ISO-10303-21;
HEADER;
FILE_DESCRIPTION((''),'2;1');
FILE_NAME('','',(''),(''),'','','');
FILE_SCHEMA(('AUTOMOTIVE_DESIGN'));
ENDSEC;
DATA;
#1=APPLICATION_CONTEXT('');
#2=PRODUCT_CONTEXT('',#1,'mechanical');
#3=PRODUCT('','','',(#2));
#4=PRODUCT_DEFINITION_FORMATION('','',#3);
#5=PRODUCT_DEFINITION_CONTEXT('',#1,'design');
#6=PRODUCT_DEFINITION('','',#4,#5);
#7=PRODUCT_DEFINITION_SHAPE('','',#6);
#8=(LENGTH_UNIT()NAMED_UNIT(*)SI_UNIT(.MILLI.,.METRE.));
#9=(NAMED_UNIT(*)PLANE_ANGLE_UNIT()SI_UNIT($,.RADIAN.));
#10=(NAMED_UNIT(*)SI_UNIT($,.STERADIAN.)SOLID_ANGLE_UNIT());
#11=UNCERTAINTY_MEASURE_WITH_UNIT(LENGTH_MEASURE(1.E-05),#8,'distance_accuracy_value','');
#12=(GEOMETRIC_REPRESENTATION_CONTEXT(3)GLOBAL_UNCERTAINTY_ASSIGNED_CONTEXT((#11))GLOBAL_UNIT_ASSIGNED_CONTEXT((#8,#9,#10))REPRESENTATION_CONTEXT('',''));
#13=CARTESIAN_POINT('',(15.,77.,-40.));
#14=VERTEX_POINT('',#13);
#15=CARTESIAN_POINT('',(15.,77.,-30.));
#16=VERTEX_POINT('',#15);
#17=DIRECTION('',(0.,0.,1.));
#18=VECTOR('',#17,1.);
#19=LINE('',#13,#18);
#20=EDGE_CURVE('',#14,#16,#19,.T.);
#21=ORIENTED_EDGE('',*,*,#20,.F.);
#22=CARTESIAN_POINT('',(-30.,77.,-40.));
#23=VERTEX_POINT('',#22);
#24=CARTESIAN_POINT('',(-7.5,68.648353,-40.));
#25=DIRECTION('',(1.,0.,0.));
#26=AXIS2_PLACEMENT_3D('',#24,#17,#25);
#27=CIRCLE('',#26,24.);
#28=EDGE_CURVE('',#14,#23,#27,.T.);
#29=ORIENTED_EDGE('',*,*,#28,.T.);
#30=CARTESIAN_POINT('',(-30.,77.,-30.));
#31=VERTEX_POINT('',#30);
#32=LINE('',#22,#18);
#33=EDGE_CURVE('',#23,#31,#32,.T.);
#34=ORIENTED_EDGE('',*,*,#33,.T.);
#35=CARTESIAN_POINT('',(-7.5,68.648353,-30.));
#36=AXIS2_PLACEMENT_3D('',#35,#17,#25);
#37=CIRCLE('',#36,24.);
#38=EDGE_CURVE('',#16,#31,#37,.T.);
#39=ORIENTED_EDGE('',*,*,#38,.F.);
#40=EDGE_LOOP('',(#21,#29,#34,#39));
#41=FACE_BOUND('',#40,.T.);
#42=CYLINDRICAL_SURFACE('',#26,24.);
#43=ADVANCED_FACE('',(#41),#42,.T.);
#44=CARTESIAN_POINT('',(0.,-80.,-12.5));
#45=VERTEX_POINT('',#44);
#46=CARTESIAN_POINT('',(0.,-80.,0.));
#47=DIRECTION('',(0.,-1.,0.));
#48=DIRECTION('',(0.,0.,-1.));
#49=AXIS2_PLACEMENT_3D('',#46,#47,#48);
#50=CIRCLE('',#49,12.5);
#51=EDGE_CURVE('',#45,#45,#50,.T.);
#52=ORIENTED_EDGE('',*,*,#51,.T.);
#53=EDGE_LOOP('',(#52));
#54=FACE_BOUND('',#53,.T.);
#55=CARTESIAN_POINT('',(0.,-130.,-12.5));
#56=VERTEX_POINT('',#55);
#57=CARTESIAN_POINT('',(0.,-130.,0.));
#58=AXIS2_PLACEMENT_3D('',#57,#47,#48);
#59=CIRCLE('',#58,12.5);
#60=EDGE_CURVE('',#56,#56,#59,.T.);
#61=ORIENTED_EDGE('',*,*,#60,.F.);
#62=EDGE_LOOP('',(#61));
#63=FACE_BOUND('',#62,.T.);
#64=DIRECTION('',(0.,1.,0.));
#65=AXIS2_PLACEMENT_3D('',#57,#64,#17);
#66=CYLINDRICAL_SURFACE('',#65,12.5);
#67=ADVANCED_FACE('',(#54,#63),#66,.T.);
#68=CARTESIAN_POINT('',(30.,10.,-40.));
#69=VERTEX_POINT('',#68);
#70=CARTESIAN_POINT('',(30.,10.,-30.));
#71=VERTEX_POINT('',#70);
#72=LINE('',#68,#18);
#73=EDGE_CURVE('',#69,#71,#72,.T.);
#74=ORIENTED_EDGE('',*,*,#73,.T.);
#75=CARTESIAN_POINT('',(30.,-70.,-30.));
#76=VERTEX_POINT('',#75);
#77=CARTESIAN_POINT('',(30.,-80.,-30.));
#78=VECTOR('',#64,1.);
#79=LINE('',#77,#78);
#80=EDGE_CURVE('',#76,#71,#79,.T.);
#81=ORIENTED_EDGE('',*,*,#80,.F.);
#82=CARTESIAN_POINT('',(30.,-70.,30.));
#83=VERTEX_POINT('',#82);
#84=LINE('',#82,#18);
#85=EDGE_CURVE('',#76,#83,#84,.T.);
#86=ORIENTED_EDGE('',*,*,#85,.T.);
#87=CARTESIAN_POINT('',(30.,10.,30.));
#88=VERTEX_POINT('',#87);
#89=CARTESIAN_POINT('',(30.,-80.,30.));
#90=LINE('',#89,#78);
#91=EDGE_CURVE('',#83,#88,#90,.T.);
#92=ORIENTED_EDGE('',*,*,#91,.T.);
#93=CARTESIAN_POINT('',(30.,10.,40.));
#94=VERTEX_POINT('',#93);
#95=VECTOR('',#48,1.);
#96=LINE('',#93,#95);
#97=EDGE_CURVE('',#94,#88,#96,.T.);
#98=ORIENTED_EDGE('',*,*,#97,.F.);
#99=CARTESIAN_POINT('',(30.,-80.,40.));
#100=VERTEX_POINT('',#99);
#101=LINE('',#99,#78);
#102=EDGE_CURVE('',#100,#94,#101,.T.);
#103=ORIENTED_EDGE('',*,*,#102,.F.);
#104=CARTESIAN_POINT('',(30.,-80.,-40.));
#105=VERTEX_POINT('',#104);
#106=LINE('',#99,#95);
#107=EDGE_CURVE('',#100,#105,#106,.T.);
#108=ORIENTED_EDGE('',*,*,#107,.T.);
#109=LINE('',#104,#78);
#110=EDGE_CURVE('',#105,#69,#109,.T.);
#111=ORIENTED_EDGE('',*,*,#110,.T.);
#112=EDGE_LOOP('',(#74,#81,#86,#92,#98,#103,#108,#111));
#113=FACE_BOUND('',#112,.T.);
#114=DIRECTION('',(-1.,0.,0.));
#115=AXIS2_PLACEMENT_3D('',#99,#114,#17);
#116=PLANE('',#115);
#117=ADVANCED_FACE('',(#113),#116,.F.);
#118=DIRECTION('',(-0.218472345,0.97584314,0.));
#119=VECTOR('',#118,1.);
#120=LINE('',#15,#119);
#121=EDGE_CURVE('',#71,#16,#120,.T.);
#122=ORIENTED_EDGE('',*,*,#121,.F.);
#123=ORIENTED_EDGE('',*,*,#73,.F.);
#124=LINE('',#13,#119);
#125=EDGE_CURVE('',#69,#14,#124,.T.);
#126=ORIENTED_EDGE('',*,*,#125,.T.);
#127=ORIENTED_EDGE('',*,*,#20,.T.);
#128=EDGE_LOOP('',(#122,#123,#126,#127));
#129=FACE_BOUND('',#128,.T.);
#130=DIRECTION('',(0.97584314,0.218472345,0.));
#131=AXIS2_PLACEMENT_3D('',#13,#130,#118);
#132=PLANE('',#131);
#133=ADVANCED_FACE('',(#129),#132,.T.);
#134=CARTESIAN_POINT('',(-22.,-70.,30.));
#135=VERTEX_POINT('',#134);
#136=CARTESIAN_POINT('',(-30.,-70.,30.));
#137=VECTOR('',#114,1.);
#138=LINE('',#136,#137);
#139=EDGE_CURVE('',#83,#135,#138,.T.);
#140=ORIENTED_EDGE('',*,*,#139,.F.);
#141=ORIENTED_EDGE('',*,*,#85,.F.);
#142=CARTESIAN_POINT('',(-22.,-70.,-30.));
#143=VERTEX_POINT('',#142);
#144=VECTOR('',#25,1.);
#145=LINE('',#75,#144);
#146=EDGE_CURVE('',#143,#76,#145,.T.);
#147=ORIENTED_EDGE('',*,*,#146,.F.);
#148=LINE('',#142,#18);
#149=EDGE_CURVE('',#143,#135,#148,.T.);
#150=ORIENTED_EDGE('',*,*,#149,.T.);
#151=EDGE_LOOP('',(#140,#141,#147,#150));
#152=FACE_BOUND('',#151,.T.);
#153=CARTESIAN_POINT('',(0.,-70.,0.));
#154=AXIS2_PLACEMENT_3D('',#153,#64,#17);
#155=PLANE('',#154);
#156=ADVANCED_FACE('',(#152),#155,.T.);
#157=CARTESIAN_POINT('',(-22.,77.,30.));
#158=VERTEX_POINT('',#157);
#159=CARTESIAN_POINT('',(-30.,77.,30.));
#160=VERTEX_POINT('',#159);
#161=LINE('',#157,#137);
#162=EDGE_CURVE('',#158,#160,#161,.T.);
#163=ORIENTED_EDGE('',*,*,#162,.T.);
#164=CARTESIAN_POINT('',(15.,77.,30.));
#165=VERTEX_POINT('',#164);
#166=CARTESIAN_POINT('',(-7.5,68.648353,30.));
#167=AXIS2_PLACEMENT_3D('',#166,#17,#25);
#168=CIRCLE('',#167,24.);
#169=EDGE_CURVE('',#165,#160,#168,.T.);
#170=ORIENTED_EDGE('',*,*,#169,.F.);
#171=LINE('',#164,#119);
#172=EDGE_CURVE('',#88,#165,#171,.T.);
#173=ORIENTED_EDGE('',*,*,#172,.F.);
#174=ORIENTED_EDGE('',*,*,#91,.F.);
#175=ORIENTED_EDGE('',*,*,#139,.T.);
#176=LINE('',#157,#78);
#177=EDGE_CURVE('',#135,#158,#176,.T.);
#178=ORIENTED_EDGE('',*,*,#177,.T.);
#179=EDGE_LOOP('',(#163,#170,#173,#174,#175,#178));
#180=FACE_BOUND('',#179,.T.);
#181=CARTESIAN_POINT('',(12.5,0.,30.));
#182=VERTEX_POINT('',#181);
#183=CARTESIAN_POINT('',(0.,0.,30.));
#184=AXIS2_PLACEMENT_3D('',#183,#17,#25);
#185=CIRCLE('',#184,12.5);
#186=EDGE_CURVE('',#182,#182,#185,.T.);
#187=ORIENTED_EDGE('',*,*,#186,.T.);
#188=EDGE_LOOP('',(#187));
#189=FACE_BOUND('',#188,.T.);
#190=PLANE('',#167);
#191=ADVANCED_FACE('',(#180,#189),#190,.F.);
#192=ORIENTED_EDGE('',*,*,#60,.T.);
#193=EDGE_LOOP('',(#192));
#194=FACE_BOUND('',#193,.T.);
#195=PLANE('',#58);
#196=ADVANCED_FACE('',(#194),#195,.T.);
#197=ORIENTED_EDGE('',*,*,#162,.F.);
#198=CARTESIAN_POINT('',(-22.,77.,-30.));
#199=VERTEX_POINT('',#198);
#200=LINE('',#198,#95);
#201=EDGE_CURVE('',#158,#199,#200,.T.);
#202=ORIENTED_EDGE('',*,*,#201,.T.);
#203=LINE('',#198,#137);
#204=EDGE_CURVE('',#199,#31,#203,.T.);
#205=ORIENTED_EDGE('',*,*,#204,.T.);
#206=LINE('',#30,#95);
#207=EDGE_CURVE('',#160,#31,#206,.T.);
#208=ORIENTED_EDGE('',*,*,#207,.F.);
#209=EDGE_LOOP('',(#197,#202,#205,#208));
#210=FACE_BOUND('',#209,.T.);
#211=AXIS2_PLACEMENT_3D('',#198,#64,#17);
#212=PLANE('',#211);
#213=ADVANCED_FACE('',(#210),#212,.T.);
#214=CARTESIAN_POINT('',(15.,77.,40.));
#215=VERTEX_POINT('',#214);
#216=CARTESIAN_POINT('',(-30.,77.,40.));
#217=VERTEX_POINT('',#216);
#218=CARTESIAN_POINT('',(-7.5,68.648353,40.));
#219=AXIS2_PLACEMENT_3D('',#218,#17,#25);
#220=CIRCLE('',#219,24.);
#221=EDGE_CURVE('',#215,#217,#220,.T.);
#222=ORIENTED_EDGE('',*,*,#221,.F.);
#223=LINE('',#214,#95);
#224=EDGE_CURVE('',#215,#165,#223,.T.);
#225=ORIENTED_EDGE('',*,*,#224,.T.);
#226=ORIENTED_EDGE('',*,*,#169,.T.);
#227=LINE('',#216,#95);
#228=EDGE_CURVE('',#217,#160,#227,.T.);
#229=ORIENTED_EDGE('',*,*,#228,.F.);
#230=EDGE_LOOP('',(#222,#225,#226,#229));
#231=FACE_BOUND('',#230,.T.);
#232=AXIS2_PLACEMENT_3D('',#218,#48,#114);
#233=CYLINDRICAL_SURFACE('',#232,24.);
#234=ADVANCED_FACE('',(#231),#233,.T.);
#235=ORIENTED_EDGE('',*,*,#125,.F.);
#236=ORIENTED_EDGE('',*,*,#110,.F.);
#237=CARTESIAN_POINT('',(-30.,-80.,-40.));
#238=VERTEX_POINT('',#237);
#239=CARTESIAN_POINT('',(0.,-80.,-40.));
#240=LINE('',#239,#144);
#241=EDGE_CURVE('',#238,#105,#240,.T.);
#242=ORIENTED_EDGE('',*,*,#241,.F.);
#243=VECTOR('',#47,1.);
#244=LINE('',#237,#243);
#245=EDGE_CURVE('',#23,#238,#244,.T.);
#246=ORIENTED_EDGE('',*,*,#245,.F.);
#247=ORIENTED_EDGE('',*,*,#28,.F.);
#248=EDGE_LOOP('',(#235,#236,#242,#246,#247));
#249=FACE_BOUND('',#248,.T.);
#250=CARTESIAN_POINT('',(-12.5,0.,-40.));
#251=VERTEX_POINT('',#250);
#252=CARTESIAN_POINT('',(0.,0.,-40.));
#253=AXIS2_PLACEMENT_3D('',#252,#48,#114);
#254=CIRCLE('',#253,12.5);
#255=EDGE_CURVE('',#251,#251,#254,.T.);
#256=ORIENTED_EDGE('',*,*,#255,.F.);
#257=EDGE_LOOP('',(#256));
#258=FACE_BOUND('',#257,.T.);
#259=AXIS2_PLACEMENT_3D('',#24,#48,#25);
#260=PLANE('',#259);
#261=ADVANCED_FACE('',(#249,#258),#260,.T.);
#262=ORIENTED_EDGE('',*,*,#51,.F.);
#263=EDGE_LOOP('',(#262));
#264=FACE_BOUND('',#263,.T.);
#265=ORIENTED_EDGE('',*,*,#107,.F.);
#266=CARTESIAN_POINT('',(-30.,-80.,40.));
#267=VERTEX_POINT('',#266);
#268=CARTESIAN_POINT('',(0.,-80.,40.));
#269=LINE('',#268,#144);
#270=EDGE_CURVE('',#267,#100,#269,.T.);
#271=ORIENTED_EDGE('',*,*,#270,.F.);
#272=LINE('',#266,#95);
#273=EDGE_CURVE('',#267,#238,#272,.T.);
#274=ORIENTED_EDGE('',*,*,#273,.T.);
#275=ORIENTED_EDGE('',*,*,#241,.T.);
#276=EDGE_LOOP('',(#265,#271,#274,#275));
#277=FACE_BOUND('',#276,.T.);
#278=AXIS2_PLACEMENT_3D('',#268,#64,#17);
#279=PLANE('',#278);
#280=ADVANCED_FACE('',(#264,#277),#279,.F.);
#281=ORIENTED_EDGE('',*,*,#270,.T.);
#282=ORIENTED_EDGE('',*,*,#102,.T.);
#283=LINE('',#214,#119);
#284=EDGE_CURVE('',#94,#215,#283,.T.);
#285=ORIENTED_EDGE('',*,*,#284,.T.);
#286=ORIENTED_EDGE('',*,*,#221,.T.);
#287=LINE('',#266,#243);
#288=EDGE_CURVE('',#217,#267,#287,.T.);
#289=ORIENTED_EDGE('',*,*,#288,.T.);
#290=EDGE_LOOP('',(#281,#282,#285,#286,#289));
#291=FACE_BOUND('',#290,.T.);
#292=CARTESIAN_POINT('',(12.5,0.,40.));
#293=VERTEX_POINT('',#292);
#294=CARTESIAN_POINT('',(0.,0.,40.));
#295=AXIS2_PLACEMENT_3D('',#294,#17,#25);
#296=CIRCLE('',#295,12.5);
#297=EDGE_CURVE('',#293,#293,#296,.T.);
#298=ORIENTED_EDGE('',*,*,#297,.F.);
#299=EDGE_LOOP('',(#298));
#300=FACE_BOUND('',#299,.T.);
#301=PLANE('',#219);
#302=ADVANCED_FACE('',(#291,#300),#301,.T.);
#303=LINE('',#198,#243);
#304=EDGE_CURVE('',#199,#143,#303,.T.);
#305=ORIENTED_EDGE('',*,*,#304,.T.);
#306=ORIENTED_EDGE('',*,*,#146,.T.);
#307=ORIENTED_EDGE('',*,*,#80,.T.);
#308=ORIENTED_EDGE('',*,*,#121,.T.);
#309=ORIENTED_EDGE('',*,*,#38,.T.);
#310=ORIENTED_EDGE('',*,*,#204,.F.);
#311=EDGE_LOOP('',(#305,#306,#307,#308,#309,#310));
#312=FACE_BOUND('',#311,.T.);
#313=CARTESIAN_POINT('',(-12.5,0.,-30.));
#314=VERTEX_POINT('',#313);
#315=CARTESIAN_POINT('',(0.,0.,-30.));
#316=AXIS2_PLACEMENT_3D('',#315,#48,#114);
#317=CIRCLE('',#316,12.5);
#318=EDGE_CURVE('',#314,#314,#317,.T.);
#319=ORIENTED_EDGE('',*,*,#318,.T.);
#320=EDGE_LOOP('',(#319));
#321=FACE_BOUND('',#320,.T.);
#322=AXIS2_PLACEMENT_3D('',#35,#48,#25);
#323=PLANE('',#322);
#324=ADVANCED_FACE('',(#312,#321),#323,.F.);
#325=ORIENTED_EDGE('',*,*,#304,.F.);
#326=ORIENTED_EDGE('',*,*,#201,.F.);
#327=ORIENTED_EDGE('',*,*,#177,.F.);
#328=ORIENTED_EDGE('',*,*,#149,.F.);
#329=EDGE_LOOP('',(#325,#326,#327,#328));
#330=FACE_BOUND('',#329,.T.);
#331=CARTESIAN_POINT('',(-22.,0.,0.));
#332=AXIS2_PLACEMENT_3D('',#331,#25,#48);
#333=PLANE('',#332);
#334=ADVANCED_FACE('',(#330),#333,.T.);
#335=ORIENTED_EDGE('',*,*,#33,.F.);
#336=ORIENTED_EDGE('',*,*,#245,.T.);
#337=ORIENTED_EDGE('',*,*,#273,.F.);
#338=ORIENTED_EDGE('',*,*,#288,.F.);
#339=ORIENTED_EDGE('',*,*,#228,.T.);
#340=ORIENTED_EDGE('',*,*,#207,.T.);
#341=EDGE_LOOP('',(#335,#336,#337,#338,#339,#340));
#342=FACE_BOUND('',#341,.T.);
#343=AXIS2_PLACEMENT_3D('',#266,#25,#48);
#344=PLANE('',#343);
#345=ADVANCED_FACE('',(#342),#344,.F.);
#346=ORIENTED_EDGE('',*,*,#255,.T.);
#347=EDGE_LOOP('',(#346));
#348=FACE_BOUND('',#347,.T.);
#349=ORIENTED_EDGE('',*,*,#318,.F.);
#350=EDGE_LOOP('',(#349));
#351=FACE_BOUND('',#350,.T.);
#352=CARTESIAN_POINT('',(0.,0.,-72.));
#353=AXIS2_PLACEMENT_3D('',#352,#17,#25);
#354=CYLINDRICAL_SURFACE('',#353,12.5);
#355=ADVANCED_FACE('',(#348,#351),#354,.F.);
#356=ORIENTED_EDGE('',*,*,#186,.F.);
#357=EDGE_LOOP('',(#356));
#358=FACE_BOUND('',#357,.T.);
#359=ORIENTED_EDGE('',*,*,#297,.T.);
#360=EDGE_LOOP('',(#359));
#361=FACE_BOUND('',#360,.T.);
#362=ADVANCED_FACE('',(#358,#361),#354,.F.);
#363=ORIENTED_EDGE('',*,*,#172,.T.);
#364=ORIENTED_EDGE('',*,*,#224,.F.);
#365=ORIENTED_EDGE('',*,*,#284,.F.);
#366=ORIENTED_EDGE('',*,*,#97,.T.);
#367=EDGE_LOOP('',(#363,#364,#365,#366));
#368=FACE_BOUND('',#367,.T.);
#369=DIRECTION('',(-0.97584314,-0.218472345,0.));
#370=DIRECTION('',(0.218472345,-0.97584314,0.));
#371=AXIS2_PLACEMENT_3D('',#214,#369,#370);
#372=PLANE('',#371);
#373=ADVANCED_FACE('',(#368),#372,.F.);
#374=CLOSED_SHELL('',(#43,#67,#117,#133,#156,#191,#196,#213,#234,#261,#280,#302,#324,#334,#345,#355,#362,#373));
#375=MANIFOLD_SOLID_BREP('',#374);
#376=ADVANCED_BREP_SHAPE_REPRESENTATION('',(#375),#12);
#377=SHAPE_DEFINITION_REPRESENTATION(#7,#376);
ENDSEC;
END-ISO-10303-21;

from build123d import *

# Parameters (mm, degrees)
BOSS_EXTRUDE1_DEPTH = 10
SKETCH4_W           = 60
SKETCH4_H           = 60
BOSS_EXTRUDE2_DEPTH = 10
SKETCH5_W           = 60
SKETCH5_H           = 147
BOSS_EXTRUDE3_DEPTH = 8
SKETCH6_R           = 12.5
CUT_EXTRUDE1_DEPTH  = 72
SKETCH7_R           = 12.5
BOSS_EXTRUDE4_DEPTH = 50


with BuildPart() as part:
    # Sketch2 → Boss-Extrude1 (new body)
    with BuildSketch(Plane.XY.offset(30)):
        with BuildLine():
            Line((0, -80), (30, -80))
            Line((30, -80), (30, 10))
            Line((30, 10), (15, 77))
            ThreePointArc((15, 77), (-7.5, 92.648353456), (-30, 77))
            Line((-30, 77), (-30, -80))
            Line((-30, -80), (0, -80))
        make_face()
    boss_extrude1 = extrude(amount=BOSS_EXTRUDE1_DEPTH)

    # Sketch4 → Boss-Extrude2 (add)
    with BuildSketch(Plane.XZ.offset(80)):
        Rectangle(SKETCH4_W, SKETCH4_H)
    extrude(amount=-BOSS_EXTRUDE2_DEPTH)

    # Mirror3: Boss-Extrude1 across plane
    add(boss_extrude1.mirror(Plane.XY))

    # Sketch5 → Boss-Extrude3 (add)
    with BuildSketch(Plane.ZY.offset(30)):
        with Locations((0, 3.5)):
            Rectangle(SKETCH5_W, SKETCH5_H)
    extrude(amount=-BOSS_EXTRUDE3_DEPTH)

    # Sketch6 → Cut-Extrude1 (cut, symmetric)
    with BuildSketch(Plane.XY):
        Circle(SKETCH6_R)
    extrude(amount=CUT_EXTRUDE1_DEPTH, both=True, mode=Mode.SUBTRACT)

    # Sketch7 → Boss-Extrude4 (add)
    with BuildSketch(Plane.XZ.offset(80)):
        Circle(SKETCH7_R)
    extrude(amount=BOSS_EXTRUDE4_DEPTH)


solid = part.part
